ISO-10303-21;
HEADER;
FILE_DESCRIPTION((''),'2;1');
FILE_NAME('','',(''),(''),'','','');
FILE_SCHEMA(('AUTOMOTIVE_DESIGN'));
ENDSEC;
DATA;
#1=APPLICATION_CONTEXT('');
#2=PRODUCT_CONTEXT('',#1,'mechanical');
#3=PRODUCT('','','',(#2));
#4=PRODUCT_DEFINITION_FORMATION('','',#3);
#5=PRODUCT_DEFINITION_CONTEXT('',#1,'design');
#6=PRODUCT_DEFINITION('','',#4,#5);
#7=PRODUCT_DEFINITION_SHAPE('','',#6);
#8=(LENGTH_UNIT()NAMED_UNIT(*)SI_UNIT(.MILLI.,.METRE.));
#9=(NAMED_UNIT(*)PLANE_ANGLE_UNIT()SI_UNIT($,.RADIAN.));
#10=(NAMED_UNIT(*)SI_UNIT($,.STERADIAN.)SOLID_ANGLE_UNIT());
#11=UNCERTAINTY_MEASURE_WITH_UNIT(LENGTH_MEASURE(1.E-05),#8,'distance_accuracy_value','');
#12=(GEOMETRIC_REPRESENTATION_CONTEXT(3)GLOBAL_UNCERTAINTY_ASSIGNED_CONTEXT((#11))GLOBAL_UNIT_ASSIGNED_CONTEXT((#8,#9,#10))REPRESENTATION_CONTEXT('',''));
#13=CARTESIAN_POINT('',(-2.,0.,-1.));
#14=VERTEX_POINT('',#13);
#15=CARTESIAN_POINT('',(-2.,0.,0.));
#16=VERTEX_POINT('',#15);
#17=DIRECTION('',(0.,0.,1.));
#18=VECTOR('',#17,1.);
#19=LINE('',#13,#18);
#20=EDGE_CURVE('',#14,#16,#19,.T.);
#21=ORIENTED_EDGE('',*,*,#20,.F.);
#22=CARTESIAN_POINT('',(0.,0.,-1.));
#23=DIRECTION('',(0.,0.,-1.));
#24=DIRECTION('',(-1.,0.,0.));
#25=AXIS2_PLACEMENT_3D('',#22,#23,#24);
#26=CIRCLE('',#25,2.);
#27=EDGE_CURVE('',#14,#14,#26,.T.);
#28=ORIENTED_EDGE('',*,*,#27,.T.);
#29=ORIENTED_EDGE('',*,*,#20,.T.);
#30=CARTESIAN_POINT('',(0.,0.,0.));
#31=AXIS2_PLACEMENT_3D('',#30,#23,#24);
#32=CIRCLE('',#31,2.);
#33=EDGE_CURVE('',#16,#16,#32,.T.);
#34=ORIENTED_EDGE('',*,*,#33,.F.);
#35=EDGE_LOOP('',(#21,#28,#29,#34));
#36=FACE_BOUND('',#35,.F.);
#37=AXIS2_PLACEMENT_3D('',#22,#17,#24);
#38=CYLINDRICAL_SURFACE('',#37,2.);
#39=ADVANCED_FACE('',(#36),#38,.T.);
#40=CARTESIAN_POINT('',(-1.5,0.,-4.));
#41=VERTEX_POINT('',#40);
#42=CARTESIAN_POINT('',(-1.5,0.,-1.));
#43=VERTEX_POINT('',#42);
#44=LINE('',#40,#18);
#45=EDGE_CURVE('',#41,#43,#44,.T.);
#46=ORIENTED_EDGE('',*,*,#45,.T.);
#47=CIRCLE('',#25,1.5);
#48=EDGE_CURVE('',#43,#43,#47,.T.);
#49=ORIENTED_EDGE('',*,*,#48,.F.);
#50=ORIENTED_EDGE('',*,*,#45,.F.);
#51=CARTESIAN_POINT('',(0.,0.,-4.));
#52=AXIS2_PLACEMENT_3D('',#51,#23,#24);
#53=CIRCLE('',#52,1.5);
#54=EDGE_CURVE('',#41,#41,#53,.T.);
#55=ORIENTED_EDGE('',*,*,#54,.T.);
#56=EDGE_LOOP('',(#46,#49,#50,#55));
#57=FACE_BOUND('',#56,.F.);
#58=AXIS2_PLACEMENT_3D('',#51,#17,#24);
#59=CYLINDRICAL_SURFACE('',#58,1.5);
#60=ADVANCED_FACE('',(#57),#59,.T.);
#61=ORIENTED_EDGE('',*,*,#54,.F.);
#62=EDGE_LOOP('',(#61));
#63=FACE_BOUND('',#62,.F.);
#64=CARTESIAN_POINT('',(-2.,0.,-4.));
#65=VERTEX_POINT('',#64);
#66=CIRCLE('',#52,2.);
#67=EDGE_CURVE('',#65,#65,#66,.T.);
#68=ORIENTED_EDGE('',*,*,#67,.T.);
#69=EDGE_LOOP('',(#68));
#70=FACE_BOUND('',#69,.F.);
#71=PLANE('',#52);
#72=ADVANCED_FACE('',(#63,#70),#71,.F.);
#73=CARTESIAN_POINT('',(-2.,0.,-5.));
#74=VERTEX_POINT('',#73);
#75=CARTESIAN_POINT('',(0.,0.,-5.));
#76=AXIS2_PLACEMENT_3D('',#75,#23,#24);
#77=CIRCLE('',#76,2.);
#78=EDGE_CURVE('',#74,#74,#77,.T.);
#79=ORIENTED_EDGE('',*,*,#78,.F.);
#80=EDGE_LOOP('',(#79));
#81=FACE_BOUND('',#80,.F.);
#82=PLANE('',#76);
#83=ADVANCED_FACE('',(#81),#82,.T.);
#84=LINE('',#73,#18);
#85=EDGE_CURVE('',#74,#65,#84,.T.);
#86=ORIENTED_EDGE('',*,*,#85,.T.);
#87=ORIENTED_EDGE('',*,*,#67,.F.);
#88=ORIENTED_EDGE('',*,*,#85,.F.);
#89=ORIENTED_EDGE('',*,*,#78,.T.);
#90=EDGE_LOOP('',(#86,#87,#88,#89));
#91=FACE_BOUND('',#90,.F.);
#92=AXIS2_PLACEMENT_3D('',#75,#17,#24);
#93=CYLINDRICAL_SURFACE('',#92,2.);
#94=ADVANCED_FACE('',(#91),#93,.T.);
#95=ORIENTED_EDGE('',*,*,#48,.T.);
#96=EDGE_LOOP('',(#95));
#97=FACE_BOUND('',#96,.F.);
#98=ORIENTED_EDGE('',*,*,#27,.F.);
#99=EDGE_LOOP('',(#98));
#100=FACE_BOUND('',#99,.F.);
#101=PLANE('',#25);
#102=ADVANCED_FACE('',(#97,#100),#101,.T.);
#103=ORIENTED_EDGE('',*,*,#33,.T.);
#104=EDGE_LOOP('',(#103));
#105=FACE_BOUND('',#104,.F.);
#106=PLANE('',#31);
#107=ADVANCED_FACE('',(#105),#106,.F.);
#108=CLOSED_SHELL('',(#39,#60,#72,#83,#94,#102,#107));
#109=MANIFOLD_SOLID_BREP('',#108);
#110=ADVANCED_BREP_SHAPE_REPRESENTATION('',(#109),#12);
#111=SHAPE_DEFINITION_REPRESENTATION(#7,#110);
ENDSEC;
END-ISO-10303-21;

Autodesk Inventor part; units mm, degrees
ref_plane "YZ Plane" through (0, 0, 0) normal (1, 0, 0) x (0, 1, 0)
ref_plane "XZ Plane" through (0, 0, 0) normal (0, 1, 0) x (-1, 0, 0)
ref_plane "XY Plane" through (0, 0, 0) normal (0, 0, 1) x (1, 0, 0)
sketch "Skizze1" plane through (0, 0, 0) normal (0, 1, 0) x (-1, 0, 0)
  line L0 (0, 0) -> (0, -5)
  line L1 (0, -5) -> (2, -5)
  line L2 (2, -5) -> (2, -4)
  line L3 (2, -4) -> (1.5, -4)
  line L4 (1.5, -4) -> (1.5, -1)
  line L5 (1.5, -1) -> (2, -1)
  line L6 (2, -1) -> (2, 0)
  line L7 (2, 0) -> (0, 0)
  dimension "d0" = 5
  dimension "d1" = 1
  dimension "d2" = 0.5
  dimension "d3" = 1
  dimension "d5" = 2
revolve "Umdrehung1" add sketch "Skizze1" angle 360 about axis through (0, 0, 0) along (0, 0, -1)
properties part number "00_Threaded_Screw_Insert_M3"
